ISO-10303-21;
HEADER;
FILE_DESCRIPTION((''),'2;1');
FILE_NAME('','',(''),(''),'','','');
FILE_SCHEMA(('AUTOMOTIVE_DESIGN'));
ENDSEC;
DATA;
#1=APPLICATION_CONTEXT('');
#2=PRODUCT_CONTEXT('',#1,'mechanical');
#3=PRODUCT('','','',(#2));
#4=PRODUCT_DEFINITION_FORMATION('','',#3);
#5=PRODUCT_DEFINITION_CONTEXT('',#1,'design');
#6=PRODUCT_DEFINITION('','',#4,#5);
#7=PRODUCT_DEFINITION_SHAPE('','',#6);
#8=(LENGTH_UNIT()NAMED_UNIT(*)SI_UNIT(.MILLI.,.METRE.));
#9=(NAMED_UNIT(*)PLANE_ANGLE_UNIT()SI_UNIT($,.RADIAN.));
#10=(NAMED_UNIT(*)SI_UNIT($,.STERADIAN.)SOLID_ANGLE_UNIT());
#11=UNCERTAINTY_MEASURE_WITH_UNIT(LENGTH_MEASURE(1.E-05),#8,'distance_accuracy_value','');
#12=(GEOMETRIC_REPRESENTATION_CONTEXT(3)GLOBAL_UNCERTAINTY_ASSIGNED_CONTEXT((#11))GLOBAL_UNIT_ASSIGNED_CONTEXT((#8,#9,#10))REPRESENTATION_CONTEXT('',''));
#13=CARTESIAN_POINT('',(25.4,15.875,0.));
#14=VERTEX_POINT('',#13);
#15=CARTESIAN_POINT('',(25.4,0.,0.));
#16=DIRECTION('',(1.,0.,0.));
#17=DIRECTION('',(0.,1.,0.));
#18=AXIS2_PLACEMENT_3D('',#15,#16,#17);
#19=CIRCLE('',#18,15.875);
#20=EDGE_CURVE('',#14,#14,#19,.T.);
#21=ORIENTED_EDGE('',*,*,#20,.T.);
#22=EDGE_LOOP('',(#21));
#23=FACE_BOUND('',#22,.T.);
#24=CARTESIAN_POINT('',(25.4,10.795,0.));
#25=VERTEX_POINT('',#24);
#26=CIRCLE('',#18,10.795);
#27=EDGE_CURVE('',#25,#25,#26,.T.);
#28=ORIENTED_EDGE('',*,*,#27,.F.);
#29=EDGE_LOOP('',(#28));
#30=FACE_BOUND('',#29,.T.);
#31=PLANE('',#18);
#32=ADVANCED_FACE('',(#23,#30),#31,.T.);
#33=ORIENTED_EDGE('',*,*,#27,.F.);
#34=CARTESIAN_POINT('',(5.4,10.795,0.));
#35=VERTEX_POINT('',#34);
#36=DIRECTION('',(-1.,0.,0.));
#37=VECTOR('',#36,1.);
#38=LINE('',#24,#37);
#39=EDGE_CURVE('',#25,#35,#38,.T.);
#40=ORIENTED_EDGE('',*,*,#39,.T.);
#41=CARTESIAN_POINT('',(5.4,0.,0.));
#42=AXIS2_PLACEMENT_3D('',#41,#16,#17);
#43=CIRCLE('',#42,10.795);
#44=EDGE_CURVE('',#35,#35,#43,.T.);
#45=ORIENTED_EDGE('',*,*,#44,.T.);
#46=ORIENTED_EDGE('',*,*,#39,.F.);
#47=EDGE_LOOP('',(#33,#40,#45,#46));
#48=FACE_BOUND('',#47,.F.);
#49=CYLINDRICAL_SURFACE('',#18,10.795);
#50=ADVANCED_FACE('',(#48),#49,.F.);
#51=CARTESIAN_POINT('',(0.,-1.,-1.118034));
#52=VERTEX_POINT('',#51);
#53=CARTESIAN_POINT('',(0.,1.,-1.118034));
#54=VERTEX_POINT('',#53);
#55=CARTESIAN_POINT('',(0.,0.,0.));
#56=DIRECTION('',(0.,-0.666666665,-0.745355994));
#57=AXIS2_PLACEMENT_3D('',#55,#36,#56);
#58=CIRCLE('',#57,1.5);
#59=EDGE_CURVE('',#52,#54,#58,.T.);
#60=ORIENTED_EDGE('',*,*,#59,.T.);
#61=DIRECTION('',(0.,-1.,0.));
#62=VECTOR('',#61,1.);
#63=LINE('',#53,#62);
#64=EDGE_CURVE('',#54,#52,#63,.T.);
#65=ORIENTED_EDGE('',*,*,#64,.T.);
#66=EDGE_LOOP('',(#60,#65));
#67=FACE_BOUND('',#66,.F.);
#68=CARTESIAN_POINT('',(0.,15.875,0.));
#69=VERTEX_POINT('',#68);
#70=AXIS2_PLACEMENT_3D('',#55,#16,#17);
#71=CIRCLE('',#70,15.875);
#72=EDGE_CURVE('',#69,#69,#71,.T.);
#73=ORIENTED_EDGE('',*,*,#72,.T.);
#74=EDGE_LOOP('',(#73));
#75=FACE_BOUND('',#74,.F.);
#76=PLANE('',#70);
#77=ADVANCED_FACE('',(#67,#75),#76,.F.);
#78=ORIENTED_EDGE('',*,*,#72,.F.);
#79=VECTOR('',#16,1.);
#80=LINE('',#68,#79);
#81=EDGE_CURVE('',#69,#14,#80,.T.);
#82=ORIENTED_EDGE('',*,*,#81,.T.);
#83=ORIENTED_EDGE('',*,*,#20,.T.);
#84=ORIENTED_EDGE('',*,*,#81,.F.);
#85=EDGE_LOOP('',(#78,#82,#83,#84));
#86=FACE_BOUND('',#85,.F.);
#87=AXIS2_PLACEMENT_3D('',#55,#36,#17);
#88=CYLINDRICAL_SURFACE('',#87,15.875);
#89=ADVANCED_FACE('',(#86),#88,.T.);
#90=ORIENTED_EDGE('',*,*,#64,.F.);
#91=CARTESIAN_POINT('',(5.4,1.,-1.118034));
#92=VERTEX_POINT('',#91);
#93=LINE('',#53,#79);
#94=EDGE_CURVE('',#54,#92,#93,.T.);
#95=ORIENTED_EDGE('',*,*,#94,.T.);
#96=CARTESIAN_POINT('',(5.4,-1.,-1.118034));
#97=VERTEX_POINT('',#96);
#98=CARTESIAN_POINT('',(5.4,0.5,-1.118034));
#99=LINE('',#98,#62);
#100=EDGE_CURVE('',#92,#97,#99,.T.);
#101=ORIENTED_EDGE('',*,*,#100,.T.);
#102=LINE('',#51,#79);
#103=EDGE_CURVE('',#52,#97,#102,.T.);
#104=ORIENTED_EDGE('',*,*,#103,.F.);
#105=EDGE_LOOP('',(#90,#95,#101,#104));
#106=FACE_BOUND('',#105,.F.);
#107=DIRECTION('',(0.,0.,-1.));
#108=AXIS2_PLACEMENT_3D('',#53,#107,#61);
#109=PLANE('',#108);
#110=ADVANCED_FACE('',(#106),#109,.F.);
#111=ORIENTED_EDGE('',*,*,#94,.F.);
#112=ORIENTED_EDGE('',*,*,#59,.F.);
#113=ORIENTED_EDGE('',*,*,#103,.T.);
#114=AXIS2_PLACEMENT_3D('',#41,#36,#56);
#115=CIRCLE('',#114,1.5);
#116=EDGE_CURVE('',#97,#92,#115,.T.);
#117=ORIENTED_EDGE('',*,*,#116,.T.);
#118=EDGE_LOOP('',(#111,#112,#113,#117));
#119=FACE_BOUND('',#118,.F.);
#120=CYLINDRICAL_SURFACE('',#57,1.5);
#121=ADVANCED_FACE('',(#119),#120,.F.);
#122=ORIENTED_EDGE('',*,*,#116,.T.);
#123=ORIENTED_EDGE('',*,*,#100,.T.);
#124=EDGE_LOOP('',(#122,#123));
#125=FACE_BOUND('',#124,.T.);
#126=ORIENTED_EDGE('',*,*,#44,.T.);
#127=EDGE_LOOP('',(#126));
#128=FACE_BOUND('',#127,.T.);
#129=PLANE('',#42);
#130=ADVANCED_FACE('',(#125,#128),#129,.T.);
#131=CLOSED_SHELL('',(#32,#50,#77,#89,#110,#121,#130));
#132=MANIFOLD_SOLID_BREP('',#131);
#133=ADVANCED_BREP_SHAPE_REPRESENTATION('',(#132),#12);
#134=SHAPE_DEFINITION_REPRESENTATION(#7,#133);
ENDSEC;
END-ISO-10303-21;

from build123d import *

# Parameters (mm, degrees)
F0_R     = 15.875
F1_DEPTH = 25.4
F2_R     = 10.795
F3_DEPTH = 20


with BuildPart() as f1:
    # F0 (on Right) → F1 (new body)
    with BuildSketch(Plane.YZ):
        Circle(F0_R)
        with BuildLine():
            Line((1, -1.118034), (-1, -1.118034))
            ThreePointArc((-1, -1.118034), (0, 1.5), (1, -1.118034))
        make_face(mode=Mode.SUBTRACT)
    extrude(amount=F1_DEPTH)

    # F2 (on face) → F3 (cut)
    with BuildSketch(Plane.YZ.offset(25.4)):
        Circle(F2_R)
    extrude(amount=-F3_DEPTH, mode=Mode.SUBTRACT)


solid = f1.part
